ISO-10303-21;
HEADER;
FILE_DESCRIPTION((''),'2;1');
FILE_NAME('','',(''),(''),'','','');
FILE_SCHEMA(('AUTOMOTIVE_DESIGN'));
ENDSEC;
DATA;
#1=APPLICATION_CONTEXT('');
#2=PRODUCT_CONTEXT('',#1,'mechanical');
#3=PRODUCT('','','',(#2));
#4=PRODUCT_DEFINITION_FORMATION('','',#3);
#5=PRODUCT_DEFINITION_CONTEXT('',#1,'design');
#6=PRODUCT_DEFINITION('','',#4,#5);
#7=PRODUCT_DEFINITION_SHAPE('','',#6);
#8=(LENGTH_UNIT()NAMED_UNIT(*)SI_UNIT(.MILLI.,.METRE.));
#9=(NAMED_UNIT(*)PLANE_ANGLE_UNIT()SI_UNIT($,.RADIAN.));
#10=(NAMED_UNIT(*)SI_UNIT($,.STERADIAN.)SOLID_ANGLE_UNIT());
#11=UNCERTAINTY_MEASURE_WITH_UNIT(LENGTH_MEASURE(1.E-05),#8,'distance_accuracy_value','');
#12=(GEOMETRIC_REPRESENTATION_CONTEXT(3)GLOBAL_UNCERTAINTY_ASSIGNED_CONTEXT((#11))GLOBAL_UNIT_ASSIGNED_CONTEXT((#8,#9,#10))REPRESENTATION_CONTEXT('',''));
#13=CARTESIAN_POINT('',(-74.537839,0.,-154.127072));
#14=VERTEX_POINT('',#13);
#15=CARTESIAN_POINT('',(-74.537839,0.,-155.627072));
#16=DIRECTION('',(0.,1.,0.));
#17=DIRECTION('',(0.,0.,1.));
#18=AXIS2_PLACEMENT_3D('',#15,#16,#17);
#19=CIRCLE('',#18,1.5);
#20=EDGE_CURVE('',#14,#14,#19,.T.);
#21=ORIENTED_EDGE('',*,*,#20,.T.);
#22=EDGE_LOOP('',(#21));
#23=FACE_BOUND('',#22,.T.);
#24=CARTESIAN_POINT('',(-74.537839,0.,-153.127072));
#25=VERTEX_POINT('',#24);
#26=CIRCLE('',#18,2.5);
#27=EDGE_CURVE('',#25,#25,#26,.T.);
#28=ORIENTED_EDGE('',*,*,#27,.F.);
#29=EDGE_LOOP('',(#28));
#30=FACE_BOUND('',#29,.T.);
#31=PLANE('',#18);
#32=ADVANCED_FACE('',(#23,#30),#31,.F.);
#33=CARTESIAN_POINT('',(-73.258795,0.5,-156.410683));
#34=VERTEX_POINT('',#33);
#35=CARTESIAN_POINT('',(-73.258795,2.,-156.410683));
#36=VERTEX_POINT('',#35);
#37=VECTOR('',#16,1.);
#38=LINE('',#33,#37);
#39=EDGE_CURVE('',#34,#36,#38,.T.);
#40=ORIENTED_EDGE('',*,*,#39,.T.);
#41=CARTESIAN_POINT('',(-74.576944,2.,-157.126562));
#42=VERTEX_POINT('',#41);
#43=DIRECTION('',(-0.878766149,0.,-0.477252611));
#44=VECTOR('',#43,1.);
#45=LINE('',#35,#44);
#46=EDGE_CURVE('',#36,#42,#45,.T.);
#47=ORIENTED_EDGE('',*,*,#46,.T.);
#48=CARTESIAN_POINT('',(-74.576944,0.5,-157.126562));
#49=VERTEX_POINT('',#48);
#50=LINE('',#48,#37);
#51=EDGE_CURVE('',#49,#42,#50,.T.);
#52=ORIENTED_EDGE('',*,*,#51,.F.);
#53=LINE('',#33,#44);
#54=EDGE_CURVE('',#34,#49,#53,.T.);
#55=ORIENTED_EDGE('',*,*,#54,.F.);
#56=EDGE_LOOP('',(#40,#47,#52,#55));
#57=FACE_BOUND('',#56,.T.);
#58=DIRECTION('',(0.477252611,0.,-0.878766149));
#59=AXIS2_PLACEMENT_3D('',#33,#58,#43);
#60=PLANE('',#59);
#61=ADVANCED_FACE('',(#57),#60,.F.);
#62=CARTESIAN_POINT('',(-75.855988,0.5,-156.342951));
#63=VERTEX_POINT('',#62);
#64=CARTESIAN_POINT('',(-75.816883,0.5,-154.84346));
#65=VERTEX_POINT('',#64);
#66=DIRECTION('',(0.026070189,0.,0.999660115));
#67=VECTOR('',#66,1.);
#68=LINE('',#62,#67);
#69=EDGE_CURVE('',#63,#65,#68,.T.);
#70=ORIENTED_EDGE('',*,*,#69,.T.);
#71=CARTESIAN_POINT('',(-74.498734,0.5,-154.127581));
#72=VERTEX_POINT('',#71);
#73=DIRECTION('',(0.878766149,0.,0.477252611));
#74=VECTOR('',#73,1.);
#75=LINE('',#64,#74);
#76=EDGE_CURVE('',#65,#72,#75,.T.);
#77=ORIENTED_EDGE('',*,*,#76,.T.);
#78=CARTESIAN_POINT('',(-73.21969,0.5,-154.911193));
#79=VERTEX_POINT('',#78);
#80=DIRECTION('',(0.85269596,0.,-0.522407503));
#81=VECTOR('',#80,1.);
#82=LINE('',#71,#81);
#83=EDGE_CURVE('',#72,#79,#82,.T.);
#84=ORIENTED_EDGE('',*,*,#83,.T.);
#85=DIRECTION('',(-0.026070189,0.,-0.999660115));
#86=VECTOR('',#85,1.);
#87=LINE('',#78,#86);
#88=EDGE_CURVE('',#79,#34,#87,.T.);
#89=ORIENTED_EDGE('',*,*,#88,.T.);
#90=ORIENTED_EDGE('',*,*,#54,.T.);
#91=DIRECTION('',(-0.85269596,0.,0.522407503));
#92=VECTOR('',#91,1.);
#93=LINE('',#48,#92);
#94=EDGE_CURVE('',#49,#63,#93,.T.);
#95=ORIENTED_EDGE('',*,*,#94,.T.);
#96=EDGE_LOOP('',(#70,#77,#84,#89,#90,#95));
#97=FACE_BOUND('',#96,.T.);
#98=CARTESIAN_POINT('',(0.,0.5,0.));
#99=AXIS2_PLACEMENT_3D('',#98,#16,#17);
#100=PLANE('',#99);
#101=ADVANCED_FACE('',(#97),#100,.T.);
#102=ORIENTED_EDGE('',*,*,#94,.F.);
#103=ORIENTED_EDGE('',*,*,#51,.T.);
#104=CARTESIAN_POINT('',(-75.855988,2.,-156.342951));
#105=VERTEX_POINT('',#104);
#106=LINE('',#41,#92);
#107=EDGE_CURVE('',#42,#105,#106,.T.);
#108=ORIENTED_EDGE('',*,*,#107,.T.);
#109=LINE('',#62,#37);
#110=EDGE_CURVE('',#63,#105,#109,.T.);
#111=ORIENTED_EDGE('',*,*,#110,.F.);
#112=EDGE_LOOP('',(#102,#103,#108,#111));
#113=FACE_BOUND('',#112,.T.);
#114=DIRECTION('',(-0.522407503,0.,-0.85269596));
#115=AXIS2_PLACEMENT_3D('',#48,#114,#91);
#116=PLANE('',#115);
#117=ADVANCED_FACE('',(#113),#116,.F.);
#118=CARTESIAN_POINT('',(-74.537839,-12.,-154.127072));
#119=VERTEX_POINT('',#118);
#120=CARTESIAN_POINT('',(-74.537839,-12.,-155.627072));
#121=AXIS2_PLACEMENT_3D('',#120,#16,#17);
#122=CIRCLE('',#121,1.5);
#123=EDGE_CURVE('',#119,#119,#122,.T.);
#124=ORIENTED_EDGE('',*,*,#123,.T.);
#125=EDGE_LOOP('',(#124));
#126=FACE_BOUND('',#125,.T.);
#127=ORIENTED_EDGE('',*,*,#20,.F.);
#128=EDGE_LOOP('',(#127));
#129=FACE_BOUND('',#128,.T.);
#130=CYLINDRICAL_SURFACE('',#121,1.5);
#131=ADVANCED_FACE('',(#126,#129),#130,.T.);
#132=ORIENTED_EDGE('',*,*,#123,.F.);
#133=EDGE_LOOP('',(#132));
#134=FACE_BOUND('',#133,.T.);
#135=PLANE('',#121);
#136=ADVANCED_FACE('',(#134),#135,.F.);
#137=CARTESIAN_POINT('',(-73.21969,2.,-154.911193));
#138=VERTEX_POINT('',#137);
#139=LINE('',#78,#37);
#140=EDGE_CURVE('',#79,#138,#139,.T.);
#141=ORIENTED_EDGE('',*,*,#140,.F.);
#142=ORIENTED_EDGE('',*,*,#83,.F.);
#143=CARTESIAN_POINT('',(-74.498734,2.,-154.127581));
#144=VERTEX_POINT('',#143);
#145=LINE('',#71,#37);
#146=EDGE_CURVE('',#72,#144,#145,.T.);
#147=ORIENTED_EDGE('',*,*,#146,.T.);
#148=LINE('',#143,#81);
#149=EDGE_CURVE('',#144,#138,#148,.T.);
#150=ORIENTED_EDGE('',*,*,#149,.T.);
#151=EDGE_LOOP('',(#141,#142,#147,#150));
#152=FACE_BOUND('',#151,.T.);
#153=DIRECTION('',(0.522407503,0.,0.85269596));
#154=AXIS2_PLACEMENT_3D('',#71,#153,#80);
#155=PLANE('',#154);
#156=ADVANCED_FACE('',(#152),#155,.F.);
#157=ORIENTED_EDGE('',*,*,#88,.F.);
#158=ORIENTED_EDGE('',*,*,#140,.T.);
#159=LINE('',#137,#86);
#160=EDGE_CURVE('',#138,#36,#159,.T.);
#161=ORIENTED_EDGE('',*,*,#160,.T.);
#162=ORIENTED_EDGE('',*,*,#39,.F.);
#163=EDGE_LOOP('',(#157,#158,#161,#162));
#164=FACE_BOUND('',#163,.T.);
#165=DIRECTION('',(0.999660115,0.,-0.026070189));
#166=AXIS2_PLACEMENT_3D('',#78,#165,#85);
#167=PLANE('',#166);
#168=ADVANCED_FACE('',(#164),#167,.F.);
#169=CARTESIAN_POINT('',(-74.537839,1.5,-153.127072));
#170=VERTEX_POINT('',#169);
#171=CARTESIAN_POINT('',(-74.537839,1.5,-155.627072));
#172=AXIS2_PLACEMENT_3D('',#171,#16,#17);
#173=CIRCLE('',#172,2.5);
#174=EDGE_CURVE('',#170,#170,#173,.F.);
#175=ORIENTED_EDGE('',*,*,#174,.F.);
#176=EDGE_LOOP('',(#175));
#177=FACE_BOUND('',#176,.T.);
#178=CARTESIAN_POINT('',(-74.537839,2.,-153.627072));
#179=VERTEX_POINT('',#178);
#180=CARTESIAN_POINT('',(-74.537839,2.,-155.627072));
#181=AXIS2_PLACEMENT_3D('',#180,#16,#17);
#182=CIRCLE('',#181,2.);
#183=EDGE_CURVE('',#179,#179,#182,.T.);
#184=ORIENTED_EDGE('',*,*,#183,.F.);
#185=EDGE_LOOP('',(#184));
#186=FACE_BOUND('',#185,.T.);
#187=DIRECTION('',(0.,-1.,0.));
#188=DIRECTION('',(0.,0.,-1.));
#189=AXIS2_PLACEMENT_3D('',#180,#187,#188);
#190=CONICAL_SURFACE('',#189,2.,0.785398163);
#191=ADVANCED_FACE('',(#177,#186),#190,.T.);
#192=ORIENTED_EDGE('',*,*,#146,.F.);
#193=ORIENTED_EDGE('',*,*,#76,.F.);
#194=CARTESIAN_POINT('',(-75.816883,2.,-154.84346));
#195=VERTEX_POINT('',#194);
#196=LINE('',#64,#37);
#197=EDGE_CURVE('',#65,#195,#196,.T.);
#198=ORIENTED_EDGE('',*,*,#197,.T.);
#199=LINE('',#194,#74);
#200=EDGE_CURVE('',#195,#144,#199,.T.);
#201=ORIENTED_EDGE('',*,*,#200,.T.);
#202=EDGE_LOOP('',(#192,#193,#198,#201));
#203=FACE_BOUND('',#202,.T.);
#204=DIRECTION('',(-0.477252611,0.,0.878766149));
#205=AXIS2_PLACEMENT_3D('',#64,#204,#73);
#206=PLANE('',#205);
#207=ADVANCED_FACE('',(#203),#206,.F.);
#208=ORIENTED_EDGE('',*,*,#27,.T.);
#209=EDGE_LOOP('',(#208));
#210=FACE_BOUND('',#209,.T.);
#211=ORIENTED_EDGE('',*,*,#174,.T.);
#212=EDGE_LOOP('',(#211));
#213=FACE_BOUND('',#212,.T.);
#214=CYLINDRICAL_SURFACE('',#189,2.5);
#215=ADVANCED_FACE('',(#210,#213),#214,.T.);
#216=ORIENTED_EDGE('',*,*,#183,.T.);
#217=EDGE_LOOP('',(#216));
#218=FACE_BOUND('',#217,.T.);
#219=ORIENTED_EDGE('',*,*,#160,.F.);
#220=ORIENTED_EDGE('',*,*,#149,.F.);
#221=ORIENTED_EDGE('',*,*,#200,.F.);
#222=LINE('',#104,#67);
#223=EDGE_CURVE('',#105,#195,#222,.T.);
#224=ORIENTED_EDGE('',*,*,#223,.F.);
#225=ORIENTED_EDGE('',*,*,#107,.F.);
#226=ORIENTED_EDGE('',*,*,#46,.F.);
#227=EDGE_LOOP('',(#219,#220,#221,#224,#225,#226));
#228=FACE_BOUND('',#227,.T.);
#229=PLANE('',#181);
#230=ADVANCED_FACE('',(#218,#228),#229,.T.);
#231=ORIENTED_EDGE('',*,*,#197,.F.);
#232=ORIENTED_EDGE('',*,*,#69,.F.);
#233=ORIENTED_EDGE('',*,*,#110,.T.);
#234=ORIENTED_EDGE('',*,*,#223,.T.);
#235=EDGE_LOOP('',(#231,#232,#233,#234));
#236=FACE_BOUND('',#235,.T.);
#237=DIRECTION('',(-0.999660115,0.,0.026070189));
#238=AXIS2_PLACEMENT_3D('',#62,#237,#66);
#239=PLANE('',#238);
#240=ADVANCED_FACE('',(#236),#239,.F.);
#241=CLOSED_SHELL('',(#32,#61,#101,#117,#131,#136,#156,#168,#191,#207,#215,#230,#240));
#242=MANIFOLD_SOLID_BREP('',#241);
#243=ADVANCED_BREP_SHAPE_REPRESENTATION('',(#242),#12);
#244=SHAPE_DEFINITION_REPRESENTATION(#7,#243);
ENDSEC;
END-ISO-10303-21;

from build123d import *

# Parameters (mm, degrees)
SKETCH1_R           = 1.5
BOSS_EXTRUDE1_DEPTH = 12
SKETCH2_R           = 2.5
BOSS_EXTRUDE2_DEPTH = 2
CHAMFER1_SIZE       = 0.5
CUT_EXTRUDE1_DEPTH  = 1.5


with BuildPart() as part:
    # Sketch1 → Boss-Extrude1 (new body)
    with BuildSketch(Plane(origin=(0, 0, 0), x_dir=(1, 0, 0), z_dir=(0, 1, 0))):
        with Locations((-74.537838868, 155.62707166)):
            Circle(SKETCH1_R)
    extrude(amount=-BOSS_EXTRUDE1_DEPTH)

    # Sketch2 → Boss-Extrude2 (add)
    with BuildSketch(Plane(origin=(0, 0, 0), x_dir=(1, 0, 0), z_dir=(0, 1, 0))):
        with Locations((-74.537838868, 155.62707166)):
            Circle(SKETCH2_R)
    extrude(amount=BOSS_EXTRUDE2_DEPTH)

    # Chamfer1
    chamfer1_edges = [part.edges().sort_by_distance(p)[0] for p in [
        (-77.037838868, 2, -155.62707166),
    ]]
    chamfer(chamfer1_edges, length=CHAMFER1_SIZE)

    # Sketch3 → Cut-Extrude1 (cut)
    with BuildSketch(Plane(origin=(0, 2, 0), x_dir=(1, 0, 0), z_dir=(0, 1, 0))):
        Polygon((-73.219689644, 154.911192742), (-73.258794928, 156.410682915), (-74.576944151, 157.126561832), (-75.855988091, 156.342950577), (-75.816882808, 154.843460404), (-74.498733584, 154.127581487), align=None)
    extrude(amount=-CUT_EXTRUDE1_DEPTH, mode=Mode.SUBTRACT)


solid = part.part
